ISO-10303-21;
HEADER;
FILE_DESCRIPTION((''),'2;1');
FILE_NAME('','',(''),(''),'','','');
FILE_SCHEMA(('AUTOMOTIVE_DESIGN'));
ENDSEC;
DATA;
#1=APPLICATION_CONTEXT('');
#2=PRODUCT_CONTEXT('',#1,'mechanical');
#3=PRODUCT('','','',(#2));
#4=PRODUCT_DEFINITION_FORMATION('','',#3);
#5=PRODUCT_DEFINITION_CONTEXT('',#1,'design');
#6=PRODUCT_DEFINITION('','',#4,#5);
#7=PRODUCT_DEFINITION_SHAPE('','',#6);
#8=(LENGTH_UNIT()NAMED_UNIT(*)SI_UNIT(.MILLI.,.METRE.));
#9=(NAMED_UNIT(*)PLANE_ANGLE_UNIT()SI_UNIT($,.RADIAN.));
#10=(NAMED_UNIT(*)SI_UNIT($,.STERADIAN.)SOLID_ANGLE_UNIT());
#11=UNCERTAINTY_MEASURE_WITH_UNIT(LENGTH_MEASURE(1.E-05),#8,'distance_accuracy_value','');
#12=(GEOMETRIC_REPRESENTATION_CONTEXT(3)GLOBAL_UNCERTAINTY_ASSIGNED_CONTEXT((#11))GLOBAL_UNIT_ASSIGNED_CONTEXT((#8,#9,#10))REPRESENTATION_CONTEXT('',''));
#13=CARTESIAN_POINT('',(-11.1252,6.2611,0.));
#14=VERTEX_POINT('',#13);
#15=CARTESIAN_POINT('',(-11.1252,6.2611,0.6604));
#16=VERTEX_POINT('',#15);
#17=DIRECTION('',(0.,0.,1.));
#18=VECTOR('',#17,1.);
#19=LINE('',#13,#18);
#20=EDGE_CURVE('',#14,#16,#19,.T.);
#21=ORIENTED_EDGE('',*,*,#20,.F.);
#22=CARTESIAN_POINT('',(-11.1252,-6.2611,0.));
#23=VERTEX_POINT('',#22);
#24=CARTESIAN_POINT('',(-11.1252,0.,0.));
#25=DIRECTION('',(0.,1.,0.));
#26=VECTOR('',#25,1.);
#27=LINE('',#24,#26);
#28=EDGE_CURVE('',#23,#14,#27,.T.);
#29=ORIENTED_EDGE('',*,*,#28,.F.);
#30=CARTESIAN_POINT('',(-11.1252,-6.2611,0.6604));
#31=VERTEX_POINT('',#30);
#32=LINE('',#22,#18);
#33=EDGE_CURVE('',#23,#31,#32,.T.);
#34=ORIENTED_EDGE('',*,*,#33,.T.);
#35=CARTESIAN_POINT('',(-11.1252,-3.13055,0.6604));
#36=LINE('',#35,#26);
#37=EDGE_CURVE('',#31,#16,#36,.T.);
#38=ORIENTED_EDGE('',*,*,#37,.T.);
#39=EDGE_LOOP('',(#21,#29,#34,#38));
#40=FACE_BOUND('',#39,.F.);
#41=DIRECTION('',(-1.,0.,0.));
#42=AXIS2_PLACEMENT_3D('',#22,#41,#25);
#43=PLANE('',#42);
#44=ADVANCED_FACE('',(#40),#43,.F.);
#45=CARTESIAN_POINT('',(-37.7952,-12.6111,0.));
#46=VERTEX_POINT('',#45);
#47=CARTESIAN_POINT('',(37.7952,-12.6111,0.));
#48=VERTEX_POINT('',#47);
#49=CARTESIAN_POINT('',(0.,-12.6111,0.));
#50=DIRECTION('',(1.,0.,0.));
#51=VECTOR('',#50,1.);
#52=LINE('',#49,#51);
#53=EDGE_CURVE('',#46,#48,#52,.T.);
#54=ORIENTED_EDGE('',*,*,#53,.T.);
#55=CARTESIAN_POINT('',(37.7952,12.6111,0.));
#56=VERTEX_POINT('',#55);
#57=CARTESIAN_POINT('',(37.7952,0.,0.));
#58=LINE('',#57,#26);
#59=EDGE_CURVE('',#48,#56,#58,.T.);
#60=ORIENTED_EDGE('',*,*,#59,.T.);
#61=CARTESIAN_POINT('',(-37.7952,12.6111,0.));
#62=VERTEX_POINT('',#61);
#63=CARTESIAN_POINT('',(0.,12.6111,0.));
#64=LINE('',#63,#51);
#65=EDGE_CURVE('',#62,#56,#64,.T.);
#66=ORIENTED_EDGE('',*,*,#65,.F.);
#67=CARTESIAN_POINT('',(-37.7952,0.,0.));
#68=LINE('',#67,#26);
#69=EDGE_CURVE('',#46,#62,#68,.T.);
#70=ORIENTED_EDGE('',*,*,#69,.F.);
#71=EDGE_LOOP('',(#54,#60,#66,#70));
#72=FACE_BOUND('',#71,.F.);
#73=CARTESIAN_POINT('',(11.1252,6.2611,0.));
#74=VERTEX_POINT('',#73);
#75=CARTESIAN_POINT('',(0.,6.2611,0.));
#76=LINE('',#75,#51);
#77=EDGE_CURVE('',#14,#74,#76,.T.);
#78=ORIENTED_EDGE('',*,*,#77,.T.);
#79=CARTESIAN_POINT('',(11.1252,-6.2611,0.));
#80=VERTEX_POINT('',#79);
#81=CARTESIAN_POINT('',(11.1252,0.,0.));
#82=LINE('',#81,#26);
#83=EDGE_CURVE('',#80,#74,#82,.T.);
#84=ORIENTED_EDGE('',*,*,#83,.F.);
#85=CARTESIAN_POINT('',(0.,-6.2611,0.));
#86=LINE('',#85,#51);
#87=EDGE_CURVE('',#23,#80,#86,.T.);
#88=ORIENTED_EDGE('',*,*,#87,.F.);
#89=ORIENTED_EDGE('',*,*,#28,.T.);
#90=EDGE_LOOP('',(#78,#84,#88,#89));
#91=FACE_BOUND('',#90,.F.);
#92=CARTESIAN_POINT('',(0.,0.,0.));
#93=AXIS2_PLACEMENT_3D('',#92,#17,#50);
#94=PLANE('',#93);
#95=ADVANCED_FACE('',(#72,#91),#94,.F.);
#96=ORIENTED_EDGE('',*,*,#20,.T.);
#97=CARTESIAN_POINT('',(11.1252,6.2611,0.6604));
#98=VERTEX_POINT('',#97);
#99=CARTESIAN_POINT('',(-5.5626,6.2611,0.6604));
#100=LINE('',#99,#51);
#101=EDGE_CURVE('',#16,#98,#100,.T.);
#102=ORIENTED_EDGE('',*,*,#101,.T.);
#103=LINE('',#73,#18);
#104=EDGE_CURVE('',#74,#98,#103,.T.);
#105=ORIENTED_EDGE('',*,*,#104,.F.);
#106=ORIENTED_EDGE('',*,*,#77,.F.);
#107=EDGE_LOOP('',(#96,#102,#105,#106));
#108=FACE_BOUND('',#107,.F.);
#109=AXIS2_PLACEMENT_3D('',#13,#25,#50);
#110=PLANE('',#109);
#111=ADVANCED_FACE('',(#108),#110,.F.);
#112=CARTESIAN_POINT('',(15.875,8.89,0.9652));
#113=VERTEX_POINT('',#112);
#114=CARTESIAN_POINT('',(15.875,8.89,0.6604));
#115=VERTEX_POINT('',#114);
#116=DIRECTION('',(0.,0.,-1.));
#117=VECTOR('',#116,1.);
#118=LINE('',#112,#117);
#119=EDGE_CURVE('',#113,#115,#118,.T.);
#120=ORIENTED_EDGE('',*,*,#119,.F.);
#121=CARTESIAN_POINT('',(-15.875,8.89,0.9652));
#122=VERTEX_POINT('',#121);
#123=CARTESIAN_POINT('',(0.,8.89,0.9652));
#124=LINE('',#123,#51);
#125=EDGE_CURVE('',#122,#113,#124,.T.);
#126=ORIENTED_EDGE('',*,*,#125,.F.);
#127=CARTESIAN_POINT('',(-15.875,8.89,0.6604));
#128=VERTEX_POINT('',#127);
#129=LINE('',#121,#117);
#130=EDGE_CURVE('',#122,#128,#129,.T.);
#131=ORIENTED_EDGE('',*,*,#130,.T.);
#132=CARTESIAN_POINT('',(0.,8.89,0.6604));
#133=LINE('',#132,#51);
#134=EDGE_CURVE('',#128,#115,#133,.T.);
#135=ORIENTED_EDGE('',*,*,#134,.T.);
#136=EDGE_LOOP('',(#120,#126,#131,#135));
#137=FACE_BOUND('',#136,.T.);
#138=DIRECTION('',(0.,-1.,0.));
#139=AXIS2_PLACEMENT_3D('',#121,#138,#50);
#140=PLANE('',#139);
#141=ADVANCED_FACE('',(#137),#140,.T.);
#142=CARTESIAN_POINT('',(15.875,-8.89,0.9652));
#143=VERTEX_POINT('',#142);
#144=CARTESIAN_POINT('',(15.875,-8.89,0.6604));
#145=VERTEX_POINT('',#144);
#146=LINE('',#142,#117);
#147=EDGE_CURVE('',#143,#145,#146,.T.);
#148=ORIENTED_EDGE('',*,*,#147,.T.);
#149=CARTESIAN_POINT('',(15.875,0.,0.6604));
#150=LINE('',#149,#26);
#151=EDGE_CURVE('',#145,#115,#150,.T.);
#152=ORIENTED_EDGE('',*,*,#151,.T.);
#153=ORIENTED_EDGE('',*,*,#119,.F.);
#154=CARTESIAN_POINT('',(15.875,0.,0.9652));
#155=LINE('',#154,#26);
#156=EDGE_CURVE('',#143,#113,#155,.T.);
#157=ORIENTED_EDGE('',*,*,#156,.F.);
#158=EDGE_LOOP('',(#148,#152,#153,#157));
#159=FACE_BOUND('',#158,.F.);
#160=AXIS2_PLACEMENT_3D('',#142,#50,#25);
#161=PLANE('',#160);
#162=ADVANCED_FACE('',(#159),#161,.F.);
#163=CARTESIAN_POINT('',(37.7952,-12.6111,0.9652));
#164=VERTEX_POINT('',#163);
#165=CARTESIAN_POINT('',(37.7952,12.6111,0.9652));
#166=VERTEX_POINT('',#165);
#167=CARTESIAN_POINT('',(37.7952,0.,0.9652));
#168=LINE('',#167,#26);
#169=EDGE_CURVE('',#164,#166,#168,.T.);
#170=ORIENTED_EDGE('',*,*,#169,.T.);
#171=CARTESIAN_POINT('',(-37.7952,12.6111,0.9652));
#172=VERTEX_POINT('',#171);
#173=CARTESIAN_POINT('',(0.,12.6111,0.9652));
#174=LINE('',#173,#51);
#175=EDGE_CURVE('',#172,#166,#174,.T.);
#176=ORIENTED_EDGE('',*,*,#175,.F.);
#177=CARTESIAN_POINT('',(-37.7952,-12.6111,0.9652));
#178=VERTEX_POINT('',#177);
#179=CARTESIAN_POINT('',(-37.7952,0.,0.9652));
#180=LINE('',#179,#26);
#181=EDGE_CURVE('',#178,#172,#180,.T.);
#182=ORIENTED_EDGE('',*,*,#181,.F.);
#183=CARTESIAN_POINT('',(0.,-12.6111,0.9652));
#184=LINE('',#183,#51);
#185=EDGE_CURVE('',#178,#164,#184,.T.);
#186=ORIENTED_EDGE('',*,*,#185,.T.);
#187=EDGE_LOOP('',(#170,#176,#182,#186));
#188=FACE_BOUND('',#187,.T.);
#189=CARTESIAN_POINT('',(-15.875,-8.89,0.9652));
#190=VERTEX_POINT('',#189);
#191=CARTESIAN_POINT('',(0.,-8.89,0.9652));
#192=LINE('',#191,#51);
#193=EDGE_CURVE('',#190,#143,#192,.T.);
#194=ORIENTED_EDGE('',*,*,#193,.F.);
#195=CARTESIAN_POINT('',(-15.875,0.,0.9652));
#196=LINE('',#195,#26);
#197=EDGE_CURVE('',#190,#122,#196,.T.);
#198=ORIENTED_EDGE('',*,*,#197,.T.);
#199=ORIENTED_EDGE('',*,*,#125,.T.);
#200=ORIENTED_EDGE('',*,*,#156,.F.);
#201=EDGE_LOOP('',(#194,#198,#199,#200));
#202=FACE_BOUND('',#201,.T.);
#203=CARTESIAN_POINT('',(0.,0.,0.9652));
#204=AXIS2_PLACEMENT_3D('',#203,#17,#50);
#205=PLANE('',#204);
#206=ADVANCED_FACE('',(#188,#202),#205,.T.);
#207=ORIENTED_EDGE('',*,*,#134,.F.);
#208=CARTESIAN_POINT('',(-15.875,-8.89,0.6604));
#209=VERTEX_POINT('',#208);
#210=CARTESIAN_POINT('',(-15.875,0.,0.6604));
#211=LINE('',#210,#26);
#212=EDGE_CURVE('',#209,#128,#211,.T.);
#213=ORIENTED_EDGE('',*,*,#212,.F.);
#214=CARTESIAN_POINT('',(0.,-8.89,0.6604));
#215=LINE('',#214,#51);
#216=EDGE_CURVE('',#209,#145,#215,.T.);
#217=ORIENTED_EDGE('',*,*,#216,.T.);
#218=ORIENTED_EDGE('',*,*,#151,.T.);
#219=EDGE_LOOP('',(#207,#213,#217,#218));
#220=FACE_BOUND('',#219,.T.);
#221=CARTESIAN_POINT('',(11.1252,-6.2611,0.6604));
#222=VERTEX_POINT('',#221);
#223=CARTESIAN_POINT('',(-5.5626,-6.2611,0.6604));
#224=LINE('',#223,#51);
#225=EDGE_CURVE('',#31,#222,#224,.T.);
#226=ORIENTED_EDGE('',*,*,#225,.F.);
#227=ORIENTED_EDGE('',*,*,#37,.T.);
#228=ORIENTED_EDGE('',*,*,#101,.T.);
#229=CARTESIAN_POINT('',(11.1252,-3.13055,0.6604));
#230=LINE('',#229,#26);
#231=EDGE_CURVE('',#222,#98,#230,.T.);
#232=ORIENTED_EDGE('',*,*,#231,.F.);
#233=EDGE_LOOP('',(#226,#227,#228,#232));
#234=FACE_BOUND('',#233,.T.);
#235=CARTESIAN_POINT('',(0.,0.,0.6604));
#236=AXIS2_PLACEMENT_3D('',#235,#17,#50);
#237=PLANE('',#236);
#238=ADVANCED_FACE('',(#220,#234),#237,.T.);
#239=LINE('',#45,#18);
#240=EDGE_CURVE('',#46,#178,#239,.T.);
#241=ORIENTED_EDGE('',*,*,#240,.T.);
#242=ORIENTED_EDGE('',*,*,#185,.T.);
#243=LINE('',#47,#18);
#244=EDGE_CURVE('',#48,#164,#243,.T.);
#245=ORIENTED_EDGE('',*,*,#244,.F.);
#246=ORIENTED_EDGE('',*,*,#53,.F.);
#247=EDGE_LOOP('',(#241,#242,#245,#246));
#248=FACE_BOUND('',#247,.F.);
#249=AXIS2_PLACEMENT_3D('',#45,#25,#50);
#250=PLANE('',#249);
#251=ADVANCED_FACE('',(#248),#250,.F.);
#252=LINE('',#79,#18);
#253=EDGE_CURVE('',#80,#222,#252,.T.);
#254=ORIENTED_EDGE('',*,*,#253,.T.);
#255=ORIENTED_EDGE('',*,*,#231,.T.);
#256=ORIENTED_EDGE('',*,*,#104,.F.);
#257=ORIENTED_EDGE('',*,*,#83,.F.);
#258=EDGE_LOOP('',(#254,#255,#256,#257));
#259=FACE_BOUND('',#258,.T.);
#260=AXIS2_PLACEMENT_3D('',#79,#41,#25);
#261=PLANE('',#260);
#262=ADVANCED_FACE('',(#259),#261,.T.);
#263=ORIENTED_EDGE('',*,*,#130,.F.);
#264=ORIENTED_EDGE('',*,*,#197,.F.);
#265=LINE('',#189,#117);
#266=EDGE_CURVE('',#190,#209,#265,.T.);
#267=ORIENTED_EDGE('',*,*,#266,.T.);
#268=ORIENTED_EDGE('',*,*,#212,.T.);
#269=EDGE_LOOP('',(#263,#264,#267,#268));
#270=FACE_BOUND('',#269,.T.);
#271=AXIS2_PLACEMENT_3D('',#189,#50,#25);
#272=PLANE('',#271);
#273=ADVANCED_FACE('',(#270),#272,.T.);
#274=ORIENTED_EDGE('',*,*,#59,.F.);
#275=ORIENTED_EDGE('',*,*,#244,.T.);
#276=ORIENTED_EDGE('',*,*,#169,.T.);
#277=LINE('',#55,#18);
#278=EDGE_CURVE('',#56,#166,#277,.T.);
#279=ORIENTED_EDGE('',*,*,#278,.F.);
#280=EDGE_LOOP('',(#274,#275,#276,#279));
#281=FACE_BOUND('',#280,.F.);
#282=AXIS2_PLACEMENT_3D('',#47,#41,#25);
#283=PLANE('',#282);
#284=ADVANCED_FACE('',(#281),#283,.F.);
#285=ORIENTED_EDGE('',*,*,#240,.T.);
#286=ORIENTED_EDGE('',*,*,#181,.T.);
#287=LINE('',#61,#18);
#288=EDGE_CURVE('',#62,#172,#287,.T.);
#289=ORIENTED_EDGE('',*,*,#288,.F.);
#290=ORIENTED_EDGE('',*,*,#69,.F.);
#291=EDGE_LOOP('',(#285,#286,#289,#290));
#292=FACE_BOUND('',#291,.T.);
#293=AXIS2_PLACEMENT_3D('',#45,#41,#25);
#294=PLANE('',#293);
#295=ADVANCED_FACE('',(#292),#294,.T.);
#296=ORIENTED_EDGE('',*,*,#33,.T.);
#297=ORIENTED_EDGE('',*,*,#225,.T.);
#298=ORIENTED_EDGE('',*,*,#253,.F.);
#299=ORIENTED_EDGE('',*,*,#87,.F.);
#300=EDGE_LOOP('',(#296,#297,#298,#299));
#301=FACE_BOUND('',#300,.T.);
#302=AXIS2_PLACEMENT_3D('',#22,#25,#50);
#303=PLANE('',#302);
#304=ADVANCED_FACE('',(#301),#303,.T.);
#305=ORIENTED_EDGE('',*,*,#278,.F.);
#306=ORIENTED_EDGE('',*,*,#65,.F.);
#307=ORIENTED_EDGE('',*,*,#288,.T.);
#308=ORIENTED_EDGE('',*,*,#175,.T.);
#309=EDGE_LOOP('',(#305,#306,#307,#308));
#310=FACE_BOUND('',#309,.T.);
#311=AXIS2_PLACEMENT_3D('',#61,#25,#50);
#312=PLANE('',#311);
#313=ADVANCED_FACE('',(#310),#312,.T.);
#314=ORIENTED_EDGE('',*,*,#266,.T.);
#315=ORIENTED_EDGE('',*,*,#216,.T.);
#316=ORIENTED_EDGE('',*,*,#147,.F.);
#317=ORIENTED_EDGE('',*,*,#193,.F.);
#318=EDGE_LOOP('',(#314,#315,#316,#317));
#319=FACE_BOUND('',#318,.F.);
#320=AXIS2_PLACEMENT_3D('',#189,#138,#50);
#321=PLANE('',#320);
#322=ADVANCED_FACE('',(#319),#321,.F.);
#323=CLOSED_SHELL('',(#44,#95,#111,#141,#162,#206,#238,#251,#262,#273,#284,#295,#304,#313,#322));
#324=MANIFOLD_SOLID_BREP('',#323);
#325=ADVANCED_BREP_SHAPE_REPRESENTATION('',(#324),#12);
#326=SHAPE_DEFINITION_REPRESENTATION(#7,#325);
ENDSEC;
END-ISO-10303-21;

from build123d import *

# Parameters (mm, degrees)
F0_W     = 75.5904
F0_H     = 25.2222
F0_W_2   = 22.2504
F0_H_2   = 12.5222
F1_DEPTH = 0.9652
F2_W     = 31.75
F2_H     = 17.78
F3_DEPTH = 0.3048


with BuildPart() as f1:
    # F0 (on Top) → F1 (new body)
    with BuildSketch(Plane.XY):
        Rectangle(F0_W, F0_H)
        Rectangle(F0_W_2, F0_H_2, mode=Mode.SUBTRACT)
    extrude(amount=F1_DEPTH)

    # F2 (on face) → F3 (cut)
    with BuildSketch(Plane.XY.offset(0.9652)):
        Rectangle(F2_W, F2_H)
    extrude(amount=-F3_DEPTH, mode=Mode.SUBTRACT)


solid = f1.part
